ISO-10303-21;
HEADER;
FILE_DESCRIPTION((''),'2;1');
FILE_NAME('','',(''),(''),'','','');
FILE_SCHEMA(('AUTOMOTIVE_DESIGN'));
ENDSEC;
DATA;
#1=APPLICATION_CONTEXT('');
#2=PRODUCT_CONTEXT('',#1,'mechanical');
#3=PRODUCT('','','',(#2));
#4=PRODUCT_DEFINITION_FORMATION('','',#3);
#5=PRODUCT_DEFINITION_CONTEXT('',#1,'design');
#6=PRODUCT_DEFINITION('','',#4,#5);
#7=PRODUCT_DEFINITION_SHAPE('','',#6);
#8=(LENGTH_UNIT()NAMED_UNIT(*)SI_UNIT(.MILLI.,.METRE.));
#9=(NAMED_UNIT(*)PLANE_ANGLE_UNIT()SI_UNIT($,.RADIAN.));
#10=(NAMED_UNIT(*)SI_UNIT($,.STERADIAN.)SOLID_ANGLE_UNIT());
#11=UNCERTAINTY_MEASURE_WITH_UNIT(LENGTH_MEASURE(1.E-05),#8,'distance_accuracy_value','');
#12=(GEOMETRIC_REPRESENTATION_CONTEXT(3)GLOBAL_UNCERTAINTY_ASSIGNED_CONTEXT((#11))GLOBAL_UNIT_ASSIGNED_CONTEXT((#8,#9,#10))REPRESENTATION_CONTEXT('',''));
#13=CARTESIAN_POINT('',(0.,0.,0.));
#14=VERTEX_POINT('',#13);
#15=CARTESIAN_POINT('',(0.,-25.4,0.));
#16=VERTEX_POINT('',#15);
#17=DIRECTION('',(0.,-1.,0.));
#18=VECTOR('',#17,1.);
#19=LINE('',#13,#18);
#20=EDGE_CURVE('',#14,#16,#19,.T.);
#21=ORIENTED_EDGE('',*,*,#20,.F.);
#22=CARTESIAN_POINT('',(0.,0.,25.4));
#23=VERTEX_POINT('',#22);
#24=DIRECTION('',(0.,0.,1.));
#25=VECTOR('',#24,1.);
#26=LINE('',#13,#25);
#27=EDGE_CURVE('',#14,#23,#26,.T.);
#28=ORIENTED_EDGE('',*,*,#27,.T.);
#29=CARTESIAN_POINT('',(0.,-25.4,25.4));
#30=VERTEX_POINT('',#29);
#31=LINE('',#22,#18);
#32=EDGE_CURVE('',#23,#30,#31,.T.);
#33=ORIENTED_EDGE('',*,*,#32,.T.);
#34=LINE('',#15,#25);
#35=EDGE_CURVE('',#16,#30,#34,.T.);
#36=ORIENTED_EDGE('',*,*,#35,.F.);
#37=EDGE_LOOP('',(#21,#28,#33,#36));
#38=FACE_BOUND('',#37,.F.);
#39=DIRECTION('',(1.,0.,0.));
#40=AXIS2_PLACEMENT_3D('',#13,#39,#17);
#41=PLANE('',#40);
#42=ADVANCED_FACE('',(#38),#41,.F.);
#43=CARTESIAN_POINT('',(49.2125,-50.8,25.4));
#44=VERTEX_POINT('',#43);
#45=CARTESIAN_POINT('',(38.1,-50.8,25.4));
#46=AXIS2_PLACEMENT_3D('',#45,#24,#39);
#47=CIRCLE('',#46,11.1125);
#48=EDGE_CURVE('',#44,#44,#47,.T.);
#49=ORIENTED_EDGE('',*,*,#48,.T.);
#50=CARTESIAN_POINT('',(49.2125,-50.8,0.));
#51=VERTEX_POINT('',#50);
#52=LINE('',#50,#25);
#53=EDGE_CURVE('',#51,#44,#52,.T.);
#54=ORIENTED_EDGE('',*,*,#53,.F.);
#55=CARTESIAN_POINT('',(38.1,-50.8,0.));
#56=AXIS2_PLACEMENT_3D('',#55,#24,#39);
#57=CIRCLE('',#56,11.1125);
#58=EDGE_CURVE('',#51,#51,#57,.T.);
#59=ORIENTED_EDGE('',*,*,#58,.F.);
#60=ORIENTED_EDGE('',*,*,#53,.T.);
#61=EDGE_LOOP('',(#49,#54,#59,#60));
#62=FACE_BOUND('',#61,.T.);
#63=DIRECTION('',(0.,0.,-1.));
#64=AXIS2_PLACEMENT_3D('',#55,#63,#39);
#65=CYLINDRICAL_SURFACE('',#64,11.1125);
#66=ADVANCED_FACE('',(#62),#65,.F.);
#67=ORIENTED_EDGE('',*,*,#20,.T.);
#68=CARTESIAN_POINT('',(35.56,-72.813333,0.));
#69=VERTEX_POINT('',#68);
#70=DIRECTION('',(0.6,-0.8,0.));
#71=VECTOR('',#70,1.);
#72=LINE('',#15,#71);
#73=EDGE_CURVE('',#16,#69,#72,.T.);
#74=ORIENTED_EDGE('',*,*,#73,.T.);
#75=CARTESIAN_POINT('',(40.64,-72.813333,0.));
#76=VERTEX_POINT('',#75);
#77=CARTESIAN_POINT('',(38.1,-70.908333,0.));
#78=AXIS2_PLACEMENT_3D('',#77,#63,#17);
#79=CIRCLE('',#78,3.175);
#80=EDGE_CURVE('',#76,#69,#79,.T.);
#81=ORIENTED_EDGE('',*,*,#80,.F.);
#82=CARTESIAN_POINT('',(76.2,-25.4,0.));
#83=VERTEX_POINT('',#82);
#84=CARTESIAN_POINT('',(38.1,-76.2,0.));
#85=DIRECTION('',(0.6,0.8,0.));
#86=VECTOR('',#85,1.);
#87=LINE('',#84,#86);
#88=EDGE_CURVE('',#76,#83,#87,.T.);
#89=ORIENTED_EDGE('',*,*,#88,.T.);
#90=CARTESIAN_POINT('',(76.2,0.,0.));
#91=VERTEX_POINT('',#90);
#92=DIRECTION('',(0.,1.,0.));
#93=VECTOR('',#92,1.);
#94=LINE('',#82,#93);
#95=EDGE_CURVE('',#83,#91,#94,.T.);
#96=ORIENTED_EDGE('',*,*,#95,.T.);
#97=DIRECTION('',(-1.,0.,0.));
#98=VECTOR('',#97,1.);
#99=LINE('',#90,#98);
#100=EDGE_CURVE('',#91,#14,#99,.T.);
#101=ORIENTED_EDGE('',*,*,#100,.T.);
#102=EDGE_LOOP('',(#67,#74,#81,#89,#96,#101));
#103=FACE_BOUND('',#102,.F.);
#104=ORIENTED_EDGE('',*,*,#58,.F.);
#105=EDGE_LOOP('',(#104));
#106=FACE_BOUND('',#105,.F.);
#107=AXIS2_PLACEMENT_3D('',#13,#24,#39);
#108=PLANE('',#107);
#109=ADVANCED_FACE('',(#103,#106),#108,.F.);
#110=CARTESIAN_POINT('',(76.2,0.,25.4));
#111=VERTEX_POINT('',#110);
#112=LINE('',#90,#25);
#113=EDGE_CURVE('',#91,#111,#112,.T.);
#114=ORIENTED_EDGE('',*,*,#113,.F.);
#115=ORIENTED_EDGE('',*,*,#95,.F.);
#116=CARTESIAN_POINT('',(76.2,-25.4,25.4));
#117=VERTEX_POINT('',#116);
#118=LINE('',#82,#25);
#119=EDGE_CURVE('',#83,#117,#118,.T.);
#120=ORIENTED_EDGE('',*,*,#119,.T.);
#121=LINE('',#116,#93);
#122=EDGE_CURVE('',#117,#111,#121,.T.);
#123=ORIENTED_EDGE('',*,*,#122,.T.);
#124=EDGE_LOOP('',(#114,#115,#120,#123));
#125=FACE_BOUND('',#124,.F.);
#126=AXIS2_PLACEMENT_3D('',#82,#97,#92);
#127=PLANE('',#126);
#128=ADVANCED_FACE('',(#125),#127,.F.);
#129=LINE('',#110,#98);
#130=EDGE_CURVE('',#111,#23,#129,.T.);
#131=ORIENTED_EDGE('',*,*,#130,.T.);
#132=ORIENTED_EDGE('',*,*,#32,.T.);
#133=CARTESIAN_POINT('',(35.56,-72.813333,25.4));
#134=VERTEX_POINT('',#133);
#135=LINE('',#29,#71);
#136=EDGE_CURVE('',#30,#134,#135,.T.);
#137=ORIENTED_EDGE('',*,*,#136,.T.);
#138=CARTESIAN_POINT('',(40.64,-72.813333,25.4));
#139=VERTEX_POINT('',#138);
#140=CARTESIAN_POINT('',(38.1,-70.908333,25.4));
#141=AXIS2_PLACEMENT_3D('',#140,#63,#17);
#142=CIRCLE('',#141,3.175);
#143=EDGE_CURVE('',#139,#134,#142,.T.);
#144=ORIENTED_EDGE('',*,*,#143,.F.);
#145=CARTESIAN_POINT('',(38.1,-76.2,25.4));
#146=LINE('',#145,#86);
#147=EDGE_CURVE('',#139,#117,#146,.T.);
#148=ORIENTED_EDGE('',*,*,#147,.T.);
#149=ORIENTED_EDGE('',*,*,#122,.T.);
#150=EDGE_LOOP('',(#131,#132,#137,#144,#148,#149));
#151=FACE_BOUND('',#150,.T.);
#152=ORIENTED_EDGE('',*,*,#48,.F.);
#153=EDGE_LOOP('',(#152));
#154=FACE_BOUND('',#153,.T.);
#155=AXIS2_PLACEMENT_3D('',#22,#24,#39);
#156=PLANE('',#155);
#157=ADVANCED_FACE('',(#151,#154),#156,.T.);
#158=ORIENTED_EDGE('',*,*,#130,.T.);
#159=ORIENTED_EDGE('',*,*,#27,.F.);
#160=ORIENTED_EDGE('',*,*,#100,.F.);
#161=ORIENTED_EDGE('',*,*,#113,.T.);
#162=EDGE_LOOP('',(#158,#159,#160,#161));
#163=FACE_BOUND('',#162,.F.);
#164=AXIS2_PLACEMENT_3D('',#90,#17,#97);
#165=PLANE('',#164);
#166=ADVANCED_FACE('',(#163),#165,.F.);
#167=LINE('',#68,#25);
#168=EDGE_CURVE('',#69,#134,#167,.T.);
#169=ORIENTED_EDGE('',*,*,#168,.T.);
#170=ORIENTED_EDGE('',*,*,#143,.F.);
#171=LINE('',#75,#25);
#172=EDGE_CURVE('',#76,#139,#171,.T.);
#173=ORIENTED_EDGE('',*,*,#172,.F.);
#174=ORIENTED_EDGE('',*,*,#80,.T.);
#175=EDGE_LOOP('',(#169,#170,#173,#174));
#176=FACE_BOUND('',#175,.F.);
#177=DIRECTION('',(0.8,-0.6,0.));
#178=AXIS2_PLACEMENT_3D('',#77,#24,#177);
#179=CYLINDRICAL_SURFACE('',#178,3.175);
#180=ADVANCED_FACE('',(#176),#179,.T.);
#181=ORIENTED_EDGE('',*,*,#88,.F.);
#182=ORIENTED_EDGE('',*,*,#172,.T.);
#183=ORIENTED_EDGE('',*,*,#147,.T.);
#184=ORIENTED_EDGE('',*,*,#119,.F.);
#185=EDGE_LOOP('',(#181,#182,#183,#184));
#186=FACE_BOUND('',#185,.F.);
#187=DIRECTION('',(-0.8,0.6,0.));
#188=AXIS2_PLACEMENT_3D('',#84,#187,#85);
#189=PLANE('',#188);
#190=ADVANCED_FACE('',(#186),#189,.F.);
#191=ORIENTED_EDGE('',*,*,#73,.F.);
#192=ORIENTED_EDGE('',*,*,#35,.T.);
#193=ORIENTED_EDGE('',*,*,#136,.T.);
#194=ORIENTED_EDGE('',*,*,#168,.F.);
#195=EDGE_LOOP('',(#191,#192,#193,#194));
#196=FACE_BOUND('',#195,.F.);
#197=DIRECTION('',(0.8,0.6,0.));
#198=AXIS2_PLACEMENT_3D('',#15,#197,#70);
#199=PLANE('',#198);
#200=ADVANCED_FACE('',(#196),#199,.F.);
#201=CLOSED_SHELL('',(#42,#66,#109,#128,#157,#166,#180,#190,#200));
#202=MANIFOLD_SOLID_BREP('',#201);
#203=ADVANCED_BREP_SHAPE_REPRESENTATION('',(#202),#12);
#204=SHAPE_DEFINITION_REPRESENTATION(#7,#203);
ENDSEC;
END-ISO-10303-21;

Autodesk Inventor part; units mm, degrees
ref_plane "YZ Plane" through (0, 0, 0) normal (1, 0, 0) x (0, 1, 0)
ref_plane "XZ Plane" through (0, 0, 0) normal (0, 1, 0) x (-1, 0, 0)
ref_plane "XY Plane" through (0, 0, 0) normal (0, 0, 1) x (1, 0, 0)
sketch "Sketch1" plane through (0, 0, 0) normal (0, 0, 1) x (1, 0, 0)
  line L0 (0, 0) -> (0, -25.4)
  line L1 (0, -25.4) -> (38.1, -76.2)
  line L2 (38.1, -76.2) -> (76.2, -25.4)
  line L3 (76.2, -25.4) -> (76.2, 0)
  line L4 (76.2, 0) -> (0, 0)
  circle A0 centre (38.1, -50.8) radius 11.1125
  line L5 (0, 0) -> (38.1, -50.8) construction
  line L6 (38.1, -50.8) -> (76.2, 0) construction
  dimension "d0" = 76.2
  dimension "d1" = 25.4
  dimension "d2" = 50.8
  dimension "d3" = 22.225
  dimension "d4" = 50.8
extrude "Extrusion1" add sketch "Sketch1" along normal blind 25.4
fillet "Fillet1" radius 3.175 1 edges at (38.1, -76.2, 12.7)
properties part number "LauncherBearingBlockRepresentation"
